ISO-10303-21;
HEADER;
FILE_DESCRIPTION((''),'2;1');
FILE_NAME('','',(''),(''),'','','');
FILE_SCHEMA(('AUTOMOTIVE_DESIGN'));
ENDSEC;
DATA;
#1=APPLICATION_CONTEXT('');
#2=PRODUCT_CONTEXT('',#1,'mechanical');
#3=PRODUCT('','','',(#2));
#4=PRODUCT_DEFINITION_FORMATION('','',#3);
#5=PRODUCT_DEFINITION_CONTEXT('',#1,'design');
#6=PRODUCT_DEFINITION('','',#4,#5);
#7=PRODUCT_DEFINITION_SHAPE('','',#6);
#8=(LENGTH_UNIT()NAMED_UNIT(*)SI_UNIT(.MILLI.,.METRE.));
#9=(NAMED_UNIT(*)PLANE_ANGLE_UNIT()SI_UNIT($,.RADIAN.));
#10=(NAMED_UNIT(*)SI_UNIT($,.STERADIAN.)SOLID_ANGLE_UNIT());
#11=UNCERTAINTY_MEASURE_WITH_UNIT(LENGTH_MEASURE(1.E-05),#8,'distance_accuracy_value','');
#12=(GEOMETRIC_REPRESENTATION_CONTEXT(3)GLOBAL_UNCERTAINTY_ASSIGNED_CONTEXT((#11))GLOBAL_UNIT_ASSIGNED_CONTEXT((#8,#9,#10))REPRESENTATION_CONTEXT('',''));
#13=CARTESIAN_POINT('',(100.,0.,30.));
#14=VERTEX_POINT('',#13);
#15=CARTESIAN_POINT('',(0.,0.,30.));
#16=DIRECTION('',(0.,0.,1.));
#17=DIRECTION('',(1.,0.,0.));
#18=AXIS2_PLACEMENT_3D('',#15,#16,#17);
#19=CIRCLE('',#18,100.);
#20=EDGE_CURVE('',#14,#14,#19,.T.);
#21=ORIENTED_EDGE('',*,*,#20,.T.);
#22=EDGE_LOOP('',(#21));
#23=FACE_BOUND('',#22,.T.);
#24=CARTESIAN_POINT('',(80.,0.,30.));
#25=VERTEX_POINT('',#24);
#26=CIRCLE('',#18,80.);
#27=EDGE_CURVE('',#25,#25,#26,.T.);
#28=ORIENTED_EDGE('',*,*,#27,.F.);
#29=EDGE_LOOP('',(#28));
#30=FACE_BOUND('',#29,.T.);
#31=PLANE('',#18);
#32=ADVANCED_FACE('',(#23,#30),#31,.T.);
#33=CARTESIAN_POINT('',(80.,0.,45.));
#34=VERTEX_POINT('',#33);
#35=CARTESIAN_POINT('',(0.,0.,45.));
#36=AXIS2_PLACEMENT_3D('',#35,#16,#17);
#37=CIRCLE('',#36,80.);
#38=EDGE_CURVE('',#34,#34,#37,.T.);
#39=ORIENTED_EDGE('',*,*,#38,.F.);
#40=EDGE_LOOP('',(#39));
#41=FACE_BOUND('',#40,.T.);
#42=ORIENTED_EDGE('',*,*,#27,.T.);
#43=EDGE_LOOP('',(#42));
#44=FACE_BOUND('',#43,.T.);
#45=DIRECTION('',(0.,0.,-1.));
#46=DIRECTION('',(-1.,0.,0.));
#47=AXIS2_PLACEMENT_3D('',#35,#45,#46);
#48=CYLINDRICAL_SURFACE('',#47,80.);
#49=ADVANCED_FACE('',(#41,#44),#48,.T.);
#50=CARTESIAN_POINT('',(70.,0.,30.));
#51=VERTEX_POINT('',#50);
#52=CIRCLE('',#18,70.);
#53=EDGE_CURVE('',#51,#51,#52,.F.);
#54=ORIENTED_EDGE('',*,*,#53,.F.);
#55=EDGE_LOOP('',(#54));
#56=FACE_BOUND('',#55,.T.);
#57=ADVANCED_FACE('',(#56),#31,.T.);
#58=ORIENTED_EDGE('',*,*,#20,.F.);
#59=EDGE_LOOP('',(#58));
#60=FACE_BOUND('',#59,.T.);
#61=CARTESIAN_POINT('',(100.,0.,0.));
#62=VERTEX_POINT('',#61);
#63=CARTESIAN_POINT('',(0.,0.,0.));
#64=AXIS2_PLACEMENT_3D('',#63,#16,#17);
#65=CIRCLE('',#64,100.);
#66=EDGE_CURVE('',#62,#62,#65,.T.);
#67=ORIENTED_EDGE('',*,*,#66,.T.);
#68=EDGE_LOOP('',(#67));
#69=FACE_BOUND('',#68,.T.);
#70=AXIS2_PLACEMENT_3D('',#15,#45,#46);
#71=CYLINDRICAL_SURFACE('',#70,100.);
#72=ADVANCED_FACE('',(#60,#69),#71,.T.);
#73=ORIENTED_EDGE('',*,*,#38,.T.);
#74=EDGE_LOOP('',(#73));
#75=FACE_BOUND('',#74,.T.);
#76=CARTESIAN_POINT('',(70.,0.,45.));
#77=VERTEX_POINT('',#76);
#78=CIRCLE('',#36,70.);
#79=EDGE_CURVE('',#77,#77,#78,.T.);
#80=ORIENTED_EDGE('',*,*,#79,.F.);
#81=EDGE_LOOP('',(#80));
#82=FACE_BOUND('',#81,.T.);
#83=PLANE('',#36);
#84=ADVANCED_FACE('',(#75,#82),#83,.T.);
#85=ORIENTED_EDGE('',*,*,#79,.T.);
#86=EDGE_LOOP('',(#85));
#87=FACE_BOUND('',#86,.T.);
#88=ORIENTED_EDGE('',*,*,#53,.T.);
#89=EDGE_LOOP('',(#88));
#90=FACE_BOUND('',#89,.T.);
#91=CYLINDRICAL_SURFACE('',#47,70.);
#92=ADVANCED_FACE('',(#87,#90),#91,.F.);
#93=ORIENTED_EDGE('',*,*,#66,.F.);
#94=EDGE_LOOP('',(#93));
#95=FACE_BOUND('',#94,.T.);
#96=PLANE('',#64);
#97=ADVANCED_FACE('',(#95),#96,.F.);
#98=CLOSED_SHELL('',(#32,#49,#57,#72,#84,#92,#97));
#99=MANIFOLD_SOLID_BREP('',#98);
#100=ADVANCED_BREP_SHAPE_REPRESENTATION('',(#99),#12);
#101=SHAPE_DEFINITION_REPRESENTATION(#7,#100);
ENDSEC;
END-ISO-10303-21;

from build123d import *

# Parameters (mm, degrees)
SZKIC1_R                    = 100
DODANIE_WYCI_GNI_CIE1_DEPTH = 30
SZKIC2_R                    = 80
SZKIC2_R_2                  = 70
DODANIE_WYCI_GNI_CIE2_DEPTH = 15


with BuildPart() as part:
    # Szkic1 → Dodanie-wyciągnięcie1 (new body)
    with BuildSketch(Plane.XY):
        Circle(SZKIC1_R)
    extrude(amount=DODANIE_WYCI_GNI_CIE1_DEPTH)

    # Szkic2 → Dodanie-wyciągnięcie2 (add)
    with BuildSketch(Plane.XY.offset(30)):
        Circle(SZKIC2_R)
        Circle(SZKIC2_R_2, mode=Mode.SUBTRACT)
    extrude(amount=DODANIE_WYCI_GNI_CIE2_DEPTH)


solid = part.part
